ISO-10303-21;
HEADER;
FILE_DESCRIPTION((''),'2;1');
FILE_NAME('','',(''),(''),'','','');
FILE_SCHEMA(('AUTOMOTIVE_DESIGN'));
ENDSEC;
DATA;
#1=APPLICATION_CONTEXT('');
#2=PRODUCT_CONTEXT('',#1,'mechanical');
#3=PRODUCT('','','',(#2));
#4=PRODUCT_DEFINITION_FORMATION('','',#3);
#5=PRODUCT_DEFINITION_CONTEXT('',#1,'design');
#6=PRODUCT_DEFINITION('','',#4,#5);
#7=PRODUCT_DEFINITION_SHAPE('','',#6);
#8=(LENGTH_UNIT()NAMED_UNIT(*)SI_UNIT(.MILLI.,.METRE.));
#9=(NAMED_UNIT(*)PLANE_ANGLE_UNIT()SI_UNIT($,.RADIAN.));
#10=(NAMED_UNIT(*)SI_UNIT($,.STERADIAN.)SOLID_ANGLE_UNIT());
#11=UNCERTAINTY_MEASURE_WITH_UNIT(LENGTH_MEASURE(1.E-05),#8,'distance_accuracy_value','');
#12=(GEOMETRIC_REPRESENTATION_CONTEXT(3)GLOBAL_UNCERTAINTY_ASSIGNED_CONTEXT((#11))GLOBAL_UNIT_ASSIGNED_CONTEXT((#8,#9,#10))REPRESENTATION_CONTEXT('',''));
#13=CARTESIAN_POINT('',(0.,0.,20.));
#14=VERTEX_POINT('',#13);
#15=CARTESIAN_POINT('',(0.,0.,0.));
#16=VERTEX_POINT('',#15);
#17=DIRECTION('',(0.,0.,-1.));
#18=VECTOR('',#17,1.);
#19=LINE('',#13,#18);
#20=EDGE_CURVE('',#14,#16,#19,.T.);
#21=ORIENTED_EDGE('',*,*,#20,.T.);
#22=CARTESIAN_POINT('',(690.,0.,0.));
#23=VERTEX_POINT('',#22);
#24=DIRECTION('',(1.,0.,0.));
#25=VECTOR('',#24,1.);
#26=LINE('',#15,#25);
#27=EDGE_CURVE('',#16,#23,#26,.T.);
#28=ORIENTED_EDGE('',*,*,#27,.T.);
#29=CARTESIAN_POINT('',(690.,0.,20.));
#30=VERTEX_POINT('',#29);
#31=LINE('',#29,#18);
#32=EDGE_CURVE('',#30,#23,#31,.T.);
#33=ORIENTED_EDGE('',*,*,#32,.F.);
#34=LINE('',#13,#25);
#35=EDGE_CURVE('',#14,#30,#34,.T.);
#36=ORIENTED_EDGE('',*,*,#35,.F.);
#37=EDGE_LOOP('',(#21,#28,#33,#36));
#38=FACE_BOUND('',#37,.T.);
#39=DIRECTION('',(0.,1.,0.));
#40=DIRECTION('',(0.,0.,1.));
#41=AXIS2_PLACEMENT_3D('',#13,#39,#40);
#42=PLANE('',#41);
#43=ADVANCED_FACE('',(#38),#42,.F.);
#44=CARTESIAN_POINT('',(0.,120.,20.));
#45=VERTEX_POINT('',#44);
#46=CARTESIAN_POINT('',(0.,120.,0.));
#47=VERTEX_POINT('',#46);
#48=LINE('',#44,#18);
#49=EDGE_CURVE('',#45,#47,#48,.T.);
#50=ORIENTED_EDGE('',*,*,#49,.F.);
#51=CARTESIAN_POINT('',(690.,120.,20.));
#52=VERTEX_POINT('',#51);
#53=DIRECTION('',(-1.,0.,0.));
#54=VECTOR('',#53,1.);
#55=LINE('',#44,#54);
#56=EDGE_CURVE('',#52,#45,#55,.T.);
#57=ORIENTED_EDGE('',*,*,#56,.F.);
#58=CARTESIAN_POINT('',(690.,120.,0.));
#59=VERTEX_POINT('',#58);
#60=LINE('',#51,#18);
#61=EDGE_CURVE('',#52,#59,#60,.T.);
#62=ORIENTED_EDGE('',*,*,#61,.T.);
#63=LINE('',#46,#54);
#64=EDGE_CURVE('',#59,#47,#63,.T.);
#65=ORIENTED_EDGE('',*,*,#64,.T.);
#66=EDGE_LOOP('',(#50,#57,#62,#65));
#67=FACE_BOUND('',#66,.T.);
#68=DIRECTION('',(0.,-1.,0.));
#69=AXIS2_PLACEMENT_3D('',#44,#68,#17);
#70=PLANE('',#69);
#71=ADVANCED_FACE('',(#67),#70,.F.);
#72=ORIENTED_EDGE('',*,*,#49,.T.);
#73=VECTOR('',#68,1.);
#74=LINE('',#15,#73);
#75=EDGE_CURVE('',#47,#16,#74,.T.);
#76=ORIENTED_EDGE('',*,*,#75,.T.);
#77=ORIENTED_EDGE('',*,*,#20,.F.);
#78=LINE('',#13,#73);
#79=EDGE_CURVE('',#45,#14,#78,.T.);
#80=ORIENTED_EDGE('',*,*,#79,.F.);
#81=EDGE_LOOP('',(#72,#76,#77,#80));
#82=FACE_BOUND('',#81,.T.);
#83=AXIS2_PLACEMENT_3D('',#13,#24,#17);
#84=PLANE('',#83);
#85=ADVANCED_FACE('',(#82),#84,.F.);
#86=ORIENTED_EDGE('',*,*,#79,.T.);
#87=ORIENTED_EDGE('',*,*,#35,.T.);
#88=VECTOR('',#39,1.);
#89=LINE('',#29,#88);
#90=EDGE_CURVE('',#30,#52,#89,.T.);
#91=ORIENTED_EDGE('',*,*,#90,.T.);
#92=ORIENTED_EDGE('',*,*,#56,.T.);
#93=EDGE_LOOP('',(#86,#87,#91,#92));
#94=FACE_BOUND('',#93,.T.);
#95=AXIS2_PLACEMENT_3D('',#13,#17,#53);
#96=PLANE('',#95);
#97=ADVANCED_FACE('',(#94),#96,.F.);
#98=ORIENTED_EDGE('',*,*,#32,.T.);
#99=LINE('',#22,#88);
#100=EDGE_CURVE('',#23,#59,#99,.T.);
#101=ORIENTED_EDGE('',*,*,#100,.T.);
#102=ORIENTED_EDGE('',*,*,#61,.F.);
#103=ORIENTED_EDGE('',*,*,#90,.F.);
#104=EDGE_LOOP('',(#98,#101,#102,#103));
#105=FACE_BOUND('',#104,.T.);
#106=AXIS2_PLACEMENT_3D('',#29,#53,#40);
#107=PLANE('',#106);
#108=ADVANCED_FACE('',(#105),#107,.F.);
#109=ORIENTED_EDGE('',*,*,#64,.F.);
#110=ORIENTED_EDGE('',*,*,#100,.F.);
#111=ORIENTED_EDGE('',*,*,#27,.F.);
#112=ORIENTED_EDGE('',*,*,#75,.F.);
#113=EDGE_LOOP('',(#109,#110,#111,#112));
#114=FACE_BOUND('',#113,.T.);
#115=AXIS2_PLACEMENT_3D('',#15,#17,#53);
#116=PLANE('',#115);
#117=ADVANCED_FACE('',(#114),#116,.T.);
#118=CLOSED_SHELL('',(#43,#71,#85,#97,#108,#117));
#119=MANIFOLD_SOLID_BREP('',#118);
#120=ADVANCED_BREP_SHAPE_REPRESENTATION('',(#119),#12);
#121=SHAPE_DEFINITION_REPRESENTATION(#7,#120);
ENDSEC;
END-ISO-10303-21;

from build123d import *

# Parameters (mm, degrees)
SKETCH1_W           = 690
SKETCH1_H           = 120
BOSS_EXTRUDE1_DEPTH = 20


with BuildPart() as part:
    # Sketch1 → Boss-Extrude1 (new body)
    with BuildSketch(Plane.XY):
        with Locations((345, 60)):
            Rectangle(SKETCH1_W, SKETCH1_H)
    extrude(amount=BOSS_EXTRUDE1_DEPTH)


solid = part.part
